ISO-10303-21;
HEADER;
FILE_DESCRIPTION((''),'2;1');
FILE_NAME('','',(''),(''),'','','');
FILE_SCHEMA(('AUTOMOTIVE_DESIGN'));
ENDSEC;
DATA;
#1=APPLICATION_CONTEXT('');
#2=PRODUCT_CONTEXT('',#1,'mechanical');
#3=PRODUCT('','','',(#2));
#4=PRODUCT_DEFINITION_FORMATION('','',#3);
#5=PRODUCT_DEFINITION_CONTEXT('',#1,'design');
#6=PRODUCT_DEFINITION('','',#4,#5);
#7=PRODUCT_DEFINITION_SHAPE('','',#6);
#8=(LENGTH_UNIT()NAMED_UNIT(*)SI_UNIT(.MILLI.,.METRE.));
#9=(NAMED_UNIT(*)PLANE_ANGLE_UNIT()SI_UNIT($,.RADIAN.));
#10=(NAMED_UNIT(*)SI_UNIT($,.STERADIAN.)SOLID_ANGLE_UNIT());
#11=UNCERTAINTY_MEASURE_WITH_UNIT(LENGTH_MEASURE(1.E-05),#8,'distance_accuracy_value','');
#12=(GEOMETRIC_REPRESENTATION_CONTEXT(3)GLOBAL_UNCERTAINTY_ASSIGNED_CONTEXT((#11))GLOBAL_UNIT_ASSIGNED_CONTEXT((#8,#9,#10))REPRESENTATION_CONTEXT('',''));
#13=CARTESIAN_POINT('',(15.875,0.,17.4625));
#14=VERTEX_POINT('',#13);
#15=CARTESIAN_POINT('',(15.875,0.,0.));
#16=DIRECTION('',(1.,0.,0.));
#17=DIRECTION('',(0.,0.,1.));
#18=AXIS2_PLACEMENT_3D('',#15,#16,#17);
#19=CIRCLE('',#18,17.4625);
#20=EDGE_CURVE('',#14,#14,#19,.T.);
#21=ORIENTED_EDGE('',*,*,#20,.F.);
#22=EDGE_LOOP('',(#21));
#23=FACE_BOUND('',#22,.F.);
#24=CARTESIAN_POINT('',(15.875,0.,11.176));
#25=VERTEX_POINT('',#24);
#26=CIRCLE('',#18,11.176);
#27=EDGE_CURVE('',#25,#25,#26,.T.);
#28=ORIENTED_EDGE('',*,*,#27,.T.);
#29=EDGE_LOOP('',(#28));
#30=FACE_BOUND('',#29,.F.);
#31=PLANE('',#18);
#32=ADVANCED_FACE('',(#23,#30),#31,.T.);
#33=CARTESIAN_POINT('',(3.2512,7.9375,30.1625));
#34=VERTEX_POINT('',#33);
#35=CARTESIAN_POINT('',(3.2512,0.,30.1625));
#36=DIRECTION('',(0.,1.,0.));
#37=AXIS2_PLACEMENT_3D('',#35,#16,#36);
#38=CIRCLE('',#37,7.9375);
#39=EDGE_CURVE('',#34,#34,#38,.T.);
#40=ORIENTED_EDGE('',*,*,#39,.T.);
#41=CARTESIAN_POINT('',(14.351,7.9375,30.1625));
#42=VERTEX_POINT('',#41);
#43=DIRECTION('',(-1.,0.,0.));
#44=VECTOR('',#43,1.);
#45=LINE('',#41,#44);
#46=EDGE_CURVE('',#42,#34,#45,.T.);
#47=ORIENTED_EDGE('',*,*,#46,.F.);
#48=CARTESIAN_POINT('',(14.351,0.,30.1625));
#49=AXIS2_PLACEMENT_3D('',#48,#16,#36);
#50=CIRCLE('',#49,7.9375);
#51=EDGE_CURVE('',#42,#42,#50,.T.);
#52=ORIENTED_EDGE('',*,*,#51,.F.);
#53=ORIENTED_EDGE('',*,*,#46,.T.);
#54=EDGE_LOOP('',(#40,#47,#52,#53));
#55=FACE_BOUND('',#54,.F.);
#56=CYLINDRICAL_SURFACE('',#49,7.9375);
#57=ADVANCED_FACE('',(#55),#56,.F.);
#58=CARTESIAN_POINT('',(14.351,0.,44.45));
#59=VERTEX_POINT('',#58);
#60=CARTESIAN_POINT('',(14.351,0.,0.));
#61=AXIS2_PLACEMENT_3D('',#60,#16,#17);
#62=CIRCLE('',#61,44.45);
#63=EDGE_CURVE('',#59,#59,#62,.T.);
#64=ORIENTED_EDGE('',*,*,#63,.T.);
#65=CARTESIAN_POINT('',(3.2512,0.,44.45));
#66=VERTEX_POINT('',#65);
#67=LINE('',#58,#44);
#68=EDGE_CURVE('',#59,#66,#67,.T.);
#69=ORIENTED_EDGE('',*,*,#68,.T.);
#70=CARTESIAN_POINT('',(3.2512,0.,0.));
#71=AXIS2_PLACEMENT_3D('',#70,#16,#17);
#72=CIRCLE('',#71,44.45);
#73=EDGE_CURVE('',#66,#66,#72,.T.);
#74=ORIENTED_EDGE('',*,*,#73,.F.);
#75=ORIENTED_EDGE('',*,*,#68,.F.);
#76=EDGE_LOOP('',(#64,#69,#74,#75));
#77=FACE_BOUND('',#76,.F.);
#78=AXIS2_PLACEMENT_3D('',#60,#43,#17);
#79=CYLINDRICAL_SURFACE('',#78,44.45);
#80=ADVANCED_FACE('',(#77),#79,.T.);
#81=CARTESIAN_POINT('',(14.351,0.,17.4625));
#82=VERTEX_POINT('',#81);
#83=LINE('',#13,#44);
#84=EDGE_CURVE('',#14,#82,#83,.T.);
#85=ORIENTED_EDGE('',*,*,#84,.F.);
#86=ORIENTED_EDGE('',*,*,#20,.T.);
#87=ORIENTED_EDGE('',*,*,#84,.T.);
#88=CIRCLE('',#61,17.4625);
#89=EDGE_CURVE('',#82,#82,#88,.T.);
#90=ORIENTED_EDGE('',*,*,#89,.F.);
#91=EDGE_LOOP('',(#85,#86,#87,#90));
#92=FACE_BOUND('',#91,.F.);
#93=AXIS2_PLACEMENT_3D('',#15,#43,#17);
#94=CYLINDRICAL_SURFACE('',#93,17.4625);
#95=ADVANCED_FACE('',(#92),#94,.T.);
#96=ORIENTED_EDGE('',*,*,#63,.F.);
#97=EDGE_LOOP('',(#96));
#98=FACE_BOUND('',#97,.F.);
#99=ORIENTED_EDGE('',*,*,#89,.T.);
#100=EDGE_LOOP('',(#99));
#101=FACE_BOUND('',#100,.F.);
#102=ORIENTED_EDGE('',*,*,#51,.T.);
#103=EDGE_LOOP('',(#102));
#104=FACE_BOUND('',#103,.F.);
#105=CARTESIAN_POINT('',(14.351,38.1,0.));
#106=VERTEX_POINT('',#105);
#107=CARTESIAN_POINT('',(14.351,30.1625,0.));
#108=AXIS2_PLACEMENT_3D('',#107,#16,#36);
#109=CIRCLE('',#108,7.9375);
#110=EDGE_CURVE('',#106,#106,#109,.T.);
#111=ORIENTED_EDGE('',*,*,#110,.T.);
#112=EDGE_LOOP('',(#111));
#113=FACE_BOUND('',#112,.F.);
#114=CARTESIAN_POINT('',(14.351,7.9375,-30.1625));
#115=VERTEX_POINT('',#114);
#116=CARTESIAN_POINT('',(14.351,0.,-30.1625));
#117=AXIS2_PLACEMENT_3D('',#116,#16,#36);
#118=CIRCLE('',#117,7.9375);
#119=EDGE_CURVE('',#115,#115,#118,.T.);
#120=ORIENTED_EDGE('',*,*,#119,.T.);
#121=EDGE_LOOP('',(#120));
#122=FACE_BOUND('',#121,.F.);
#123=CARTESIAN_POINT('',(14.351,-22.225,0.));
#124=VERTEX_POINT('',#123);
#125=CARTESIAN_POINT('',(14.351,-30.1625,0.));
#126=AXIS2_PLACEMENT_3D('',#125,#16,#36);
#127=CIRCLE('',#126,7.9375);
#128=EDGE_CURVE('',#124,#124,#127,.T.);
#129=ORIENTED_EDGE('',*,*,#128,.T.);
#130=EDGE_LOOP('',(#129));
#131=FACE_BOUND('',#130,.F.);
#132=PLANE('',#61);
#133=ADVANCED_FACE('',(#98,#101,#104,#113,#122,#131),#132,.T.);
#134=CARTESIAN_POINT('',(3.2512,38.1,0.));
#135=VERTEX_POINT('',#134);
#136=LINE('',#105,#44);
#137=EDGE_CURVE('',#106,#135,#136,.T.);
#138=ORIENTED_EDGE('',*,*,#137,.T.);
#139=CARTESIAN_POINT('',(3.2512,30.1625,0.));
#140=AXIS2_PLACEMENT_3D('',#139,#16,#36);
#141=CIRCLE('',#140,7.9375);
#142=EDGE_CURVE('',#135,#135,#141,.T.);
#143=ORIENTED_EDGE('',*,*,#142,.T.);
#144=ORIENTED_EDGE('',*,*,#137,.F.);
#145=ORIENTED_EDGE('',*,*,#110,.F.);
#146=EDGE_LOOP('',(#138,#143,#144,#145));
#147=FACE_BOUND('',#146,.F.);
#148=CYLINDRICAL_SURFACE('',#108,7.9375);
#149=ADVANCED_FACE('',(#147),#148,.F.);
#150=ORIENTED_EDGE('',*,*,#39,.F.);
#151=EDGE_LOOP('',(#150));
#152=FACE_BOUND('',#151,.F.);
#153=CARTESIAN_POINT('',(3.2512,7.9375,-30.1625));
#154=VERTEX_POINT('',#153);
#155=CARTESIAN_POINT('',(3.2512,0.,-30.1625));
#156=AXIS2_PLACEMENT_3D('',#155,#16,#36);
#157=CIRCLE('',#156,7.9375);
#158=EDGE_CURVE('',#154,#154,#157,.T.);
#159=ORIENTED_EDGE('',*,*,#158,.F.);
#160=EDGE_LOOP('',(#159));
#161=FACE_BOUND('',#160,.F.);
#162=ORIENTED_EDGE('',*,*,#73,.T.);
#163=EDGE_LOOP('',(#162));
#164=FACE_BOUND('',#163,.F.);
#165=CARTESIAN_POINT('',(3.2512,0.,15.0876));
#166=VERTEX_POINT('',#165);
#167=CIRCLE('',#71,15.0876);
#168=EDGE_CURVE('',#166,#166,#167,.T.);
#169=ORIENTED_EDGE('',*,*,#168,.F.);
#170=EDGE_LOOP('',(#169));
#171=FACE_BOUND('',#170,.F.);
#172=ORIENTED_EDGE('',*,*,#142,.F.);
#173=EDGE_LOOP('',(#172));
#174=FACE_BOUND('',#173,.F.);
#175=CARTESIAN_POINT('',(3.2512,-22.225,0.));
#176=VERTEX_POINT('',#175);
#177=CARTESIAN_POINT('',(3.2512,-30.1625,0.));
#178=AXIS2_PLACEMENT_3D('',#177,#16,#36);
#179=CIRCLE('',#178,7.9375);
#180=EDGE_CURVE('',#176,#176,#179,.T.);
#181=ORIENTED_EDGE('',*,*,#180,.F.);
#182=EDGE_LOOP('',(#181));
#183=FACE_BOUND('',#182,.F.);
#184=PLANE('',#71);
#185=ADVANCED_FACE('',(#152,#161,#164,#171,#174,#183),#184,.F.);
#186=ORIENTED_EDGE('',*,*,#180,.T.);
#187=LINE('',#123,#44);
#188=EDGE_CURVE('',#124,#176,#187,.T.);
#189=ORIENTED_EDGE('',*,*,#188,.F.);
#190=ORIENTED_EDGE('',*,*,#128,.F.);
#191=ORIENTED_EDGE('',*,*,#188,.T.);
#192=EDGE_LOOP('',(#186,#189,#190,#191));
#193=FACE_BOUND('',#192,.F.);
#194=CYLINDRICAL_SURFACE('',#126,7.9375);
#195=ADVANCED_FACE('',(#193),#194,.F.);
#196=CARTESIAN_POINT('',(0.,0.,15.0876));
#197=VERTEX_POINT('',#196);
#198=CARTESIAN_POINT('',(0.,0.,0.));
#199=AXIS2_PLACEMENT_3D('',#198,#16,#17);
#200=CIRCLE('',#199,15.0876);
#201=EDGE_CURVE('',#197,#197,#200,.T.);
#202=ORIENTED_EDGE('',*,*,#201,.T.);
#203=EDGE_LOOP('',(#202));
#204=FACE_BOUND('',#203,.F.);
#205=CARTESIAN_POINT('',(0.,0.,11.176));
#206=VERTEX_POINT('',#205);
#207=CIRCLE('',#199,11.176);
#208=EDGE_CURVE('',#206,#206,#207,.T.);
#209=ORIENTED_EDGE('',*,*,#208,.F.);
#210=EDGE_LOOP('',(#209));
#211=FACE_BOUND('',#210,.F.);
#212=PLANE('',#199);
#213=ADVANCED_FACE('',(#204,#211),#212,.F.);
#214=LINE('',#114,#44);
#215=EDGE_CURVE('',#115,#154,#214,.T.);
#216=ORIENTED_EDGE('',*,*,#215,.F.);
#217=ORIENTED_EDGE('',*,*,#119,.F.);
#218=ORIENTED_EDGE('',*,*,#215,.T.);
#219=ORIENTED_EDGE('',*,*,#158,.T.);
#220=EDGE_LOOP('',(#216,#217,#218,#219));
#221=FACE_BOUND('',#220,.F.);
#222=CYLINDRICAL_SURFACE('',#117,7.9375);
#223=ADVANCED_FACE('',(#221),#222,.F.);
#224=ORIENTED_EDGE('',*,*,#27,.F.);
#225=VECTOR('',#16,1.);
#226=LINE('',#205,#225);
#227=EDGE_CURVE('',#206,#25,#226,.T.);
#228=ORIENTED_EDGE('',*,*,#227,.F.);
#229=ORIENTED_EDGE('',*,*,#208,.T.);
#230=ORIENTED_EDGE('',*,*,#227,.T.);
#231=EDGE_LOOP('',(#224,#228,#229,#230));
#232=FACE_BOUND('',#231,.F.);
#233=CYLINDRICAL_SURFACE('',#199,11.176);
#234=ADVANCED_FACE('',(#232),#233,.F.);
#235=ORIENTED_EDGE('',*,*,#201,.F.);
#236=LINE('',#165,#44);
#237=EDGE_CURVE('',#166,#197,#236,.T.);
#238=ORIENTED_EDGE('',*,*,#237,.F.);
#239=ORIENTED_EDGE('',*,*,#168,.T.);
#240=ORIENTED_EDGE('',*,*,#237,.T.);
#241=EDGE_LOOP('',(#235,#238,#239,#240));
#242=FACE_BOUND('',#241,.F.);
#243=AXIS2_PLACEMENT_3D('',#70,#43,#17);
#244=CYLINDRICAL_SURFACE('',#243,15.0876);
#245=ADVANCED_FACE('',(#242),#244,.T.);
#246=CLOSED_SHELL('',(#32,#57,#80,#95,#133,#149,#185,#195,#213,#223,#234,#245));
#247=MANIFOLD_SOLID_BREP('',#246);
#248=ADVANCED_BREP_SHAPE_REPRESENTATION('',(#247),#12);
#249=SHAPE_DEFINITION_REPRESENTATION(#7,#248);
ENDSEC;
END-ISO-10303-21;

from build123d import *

# Parameters (mm, degrees)
F2_R     = 7.9375
F3_DEPTH = 14.352


with BuildPart() as f1:
    # F0 (on Front) → F1 (revolve)
    with BuildSketch(Plane.XZ):
        Polygon((0, 15.0876), (0, 11.176), (15.875, 11.176), (15.875, 17.4625), (14.351, 17.4625), (14.351, 44.45), (3.2512, 44.45), (3.2512, 15.0876), align=None)
    revolve(axis=Axis((0.385378, 0, 0), (1, 0, 0)))

    # F2 (on face) → F3 (cut, through all)
    with BuildSketch(Plane.YZ.offset(14.351)):
        with Locations((0, 30.1625)):
            Circle(F2_R)
        with Locations((0, -30.1625)):
            Circle(F2_R)
        with Locations((-30.1625, 0)):
            Circle(F2_R)
        with Locations((30.1625, 0)):
            Circle(F2_R)
    extrude(amount=-F3_DEPTH, mode=Mode.SUBTRACT)


solid = f1.part
